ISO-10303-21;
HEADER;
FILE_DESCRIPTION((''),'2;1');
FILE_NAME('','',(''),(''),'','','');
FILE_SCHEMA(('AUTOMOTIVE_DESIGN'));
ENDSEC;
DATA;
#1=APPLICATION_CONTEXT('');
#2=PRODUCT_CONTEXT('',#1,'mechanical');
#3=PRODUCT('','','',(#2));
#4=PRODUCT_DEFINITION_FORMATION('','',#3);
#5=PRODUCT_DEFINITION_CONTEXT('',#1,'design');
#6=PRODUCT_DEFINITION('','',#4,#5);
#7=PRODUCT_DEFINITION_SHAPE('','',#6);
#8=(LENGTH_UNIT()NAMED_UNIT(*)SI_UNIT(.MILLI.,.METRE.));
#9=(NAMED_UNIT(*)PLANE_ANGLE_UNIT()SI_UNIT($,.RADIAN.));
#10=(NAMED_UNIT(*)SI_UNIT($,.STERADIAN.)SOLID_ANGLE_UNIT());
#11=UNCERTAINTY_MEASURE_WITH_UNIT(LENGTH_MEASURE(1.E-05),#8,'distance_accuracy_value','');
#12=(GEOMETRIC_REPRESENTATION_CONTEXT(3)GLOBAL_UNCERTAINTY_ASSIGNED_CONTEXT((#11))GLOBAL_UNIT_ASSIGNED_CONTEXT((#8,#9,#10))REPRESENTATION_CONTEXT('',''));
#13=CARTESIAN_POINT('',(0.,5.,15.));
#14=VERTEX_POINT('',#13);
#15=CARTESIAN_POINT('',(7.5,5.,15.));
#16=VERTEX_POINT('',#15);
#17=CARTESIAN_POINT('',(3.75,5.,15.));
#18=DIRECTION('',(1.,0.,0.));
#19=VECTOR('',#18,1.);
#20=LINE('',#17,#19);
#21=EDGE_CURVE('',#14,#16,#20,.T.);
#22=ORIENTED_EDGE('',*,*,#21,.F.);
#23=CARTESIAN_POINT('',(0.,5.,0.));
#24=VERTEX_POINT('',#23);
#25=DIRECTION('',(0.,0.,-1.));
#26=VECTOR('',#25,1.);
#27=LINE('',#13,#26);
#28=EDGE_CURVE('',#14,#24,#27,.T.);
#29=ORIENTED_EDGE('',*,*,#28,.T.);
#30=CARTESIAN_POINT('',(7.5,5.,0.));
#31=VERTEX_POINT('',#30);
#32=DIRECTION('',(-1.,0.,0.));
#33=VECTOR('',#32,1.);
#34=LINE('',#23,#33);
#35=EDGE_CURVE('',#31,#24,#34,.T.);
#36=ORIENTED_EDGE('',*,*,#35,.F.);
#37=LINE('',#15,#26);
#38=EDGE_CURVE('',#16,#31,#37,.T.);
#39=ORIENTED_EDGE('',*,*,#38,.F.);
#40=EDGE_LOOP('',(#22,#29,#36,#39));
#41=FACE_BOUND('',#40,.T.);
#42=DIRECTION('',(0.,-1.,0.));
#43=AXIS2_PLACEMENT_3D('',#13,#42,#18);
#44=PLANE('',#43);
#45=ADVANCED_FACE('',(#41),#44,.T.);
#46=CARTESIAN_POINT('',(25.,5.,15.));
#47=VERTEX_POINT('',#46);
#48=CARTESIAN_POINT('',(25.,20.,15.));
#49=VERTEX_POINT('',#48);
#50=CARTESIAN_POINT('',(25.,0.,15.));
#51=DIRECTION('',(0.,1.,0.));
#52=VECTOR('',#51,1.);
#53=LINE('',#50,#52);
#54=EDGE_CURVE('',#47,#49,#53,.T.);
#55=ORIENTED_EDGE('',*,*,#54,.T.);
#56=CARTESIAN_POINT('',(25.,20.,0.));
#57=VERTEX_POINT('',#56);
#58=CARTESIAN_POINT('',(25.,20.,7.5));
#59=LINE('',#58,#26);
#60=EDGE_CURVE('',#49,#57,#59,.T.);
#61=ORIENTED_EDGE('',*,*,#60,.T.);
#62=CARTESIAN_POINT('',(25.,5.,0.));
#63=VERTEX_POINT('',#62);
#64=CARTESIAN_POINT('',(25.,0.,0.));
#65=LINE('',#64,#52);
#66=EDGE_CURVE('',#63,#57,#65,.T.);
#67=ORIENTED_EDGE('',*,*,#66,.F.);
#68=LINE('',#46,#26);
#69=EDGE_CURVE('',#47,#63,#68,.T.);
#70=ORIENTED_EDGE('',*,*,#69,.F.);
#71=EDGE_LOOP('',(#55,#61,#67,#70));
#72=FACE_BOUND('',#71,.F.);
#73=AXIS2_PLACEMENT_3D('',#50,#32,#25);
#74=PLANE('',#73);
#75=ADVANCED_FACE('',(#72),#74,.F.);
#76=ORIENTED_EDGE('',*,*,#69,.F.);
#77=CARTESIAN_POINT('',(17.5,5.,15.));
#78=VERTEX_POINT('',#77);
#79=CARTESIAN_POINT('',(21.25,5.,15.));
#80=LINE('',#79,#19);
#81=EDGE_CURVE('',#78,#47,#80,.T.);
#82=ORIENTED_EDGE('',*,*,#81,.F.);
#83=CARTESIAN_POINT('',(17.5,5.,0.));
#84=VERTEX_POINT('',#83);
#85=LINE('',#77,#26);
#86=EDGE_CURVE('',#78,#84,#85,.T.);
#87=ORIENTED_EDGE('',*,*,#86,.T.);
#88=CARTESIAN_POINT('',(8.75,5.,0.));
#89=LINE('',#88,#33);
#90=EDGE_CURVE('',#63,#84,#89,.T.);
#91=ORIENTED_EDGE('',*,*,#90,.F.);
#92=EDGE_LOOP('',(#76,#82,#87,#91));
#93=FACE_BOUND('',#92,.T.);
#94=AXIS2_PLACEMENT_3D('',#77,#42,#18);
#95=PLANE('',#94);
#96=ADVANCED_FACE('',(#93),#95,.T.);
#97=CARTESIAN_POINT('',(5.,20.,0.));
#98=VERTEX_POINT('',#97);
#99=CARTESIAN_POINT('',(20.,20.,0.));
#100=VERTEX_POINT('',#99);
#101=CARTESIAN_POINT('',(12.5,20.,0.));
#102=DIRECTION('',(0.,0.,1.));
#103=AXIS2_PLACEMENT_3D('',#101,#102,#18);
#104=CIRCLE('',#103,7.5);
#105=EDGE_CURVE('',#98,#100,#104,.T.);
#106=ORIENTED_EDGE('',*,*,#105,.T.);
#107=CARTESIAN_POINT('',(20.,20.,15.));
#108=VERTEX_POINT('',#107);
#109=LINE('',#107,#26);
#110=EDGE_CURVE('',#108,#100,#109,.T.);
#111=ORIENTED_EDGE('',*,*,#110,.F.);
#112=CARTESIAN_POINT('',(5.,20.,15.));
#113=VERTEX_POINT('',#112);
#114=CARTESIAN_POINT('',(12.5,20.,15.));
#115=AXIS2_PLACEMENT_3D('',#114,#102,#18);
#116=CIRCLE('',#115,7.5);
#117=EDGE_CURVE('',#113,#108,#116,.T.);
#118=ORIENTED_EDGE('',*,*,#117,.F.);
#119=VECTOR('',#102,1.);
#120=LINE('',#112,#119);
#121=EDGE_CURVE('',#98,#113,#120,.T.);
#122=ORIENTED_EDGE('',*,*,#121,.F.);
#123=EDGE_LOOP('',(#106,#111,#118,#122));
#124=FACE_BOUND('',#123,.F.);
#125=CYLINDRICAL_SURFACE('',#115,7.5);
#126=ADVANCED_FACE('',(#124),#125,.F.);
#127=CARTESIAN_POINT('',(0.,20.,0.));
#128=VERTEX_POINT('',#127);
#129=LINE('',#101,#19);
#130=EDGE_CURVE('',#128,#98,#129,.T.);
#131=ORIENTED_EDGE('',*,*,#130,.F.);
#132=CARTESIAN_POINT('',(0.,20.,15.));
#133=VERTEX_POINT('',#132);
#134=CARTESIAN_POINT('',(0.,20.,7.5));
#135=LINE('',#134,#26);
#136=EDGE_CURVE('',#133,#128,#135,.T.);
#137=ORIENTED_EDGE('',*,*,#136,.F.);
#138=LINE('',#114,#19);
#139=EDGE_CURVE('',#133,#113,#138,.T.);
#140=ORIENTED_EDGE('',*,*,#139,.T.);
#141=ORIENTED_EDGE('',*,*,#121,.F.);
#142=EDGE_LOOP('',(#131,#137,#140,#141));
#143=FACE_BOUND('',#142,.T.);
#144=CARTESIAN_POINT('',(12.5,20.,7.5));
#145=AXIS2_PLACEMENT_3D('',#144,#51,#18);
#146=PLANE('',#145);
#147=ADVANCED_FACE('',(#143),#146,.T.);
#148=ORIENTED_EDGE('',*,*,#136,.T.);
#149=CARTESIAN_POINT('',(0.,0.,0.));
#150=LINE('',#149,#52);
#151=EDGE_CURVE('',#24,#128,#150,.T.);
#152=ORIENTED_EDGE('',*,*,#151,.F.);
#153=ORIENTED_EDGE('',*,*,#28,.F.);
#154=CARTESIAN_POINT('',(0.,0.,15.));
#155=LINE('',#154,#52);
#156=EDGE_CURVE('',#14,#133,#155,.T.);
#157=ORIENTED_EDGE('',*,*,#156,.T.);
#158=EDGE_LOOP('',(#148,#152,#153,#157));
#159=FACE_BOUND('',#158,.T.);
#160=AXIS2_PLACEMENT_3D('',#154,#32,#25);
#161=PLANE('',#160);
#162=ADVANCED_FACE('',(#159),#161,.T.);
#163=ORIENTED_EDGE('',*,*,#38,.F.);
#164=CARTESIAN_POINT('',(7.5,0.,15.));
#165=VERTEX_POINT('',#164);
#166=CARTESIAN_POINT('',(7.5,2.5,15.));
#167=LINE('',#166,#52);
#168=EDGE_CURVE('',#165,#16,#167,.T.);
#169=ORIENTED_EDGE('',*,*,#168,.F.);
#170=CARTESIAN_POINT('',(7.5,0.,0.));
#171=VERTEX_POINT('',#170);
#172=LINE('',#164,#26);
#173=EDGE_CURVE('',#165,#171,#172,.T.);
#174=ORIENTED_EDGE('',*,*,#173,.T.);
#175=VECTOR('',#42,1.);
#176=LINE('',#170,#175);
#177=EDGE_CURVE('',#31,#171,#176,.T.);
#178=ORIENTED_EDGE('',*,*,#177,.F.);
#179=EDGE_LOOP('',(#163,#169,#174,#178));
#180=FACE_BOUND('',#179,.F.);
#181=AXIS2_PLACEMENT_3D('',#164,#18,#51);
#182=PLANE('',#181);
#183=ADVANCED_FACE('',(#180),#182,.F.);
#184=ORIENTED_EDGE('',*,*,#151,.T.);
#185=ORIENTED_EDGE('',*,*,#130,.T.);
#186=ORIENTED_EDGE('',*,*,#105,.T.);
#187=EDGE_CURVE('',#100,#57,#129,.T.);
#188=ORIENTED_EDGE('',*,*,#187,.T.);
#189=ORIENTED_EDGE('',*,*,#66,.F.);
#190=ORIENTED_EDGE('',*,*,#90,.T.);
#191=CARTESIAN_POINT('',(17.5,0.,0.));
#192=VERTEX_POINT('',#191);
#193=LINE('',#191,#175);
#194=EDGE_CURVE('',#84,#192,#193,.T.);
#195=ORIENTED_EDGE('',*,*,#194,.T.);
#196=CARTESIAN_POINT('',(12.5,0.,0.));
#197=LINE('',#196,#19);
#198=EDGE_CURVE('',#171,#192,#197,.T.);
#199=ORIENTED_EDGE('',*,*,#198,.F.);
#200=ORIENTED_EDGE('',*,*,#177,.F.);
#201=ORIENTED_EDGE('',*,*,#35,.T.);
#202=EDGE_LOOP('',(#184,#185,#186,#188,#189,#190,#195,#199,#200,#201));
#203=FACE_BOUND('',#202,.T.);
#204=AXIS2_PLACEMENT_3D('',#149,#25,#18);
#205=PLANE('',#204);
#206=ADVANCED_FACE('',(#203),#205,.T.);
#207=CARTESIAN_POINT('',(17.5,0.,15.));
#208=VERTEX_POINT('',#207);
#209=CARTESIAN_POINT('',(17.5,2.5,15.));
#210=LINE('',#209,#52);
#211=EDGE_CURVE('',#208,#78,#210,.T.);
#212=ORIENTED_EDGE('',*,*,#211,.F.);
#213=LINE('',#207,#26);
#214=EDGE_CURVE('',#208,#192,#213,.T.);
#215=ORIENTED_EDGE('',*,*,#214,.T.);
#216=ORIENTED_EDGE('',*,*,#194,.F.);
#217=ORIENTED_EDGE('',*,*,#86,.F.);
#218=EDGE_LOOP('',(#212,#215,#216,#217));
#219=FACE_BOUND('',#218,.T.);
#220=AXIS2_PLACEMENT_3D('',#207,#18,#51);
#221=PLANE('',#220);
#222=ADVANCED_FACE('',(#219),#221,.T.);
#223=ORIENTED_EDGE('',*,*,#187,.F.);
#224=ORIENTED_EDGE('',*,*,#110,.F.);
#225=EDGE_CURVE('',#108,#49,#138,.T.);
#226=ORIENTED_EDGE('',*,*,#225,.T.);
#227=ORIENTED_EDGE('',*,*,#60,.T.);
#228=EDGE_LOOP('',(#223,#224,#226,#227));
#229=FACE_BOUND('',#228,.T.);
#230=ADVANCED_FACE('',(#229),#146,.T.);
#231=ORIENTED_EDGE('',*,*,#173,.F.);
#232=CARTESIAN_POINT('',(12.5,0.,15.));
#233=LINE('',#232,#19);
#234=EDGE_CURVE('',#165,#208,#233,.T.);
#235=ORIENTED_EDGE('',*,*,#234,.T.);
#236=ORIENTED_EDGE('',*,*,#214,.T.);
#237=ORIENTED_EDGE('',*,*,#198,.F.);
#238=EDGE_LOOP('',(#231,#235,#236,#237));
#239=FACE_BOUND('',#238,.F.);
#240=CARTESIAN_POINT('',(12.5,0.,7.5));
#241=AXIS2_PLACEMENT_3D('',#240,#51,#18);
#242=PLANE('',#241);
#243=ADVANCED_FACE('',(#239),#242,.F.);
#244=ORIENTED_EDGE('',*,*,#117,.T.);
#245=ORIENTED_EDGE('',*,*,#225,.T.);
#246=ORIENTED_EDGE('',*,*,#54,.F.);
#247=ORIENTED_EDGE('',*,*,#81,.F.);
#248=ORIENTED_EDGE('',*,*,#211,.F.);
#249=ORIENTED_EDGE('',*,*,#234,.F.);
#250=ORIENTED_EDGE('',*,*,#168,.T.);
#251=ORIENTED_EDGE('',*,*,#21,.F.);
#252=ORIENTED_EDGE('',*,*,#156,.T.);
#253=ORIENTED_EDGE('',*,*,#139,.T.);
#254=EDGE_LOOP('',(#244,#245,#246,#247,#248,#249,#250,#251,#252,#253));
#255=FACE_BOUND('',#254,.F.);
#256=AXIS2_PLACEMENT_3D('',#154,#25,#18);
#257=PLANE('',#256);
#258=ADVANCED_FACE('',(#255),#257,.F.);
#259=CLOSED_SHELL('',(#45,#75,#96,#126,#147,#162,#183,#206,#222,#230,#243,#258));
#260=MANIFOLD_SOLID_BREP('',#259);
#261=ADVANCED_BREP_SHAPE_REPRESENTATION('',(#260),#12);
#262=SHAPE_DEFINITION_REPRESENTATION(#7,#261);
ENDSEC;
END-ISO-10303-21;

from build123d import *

# Parameters (mm, degrees)
CROQUIS1_W              = 25
CROQUIS1_H              = 15
SALIENTE_EXTRUIR1_DEPTH = 20
CROQUIS2_W              = 7.5
CROQUIS2_H              = 5
CORTAR_EXTRUIR1_DEPTH   = 20
CROQUIS3_R              = 7.5
CORTAR_EXTRUIR2_DEPTH   = 20


with BuildPart() as part:
    # Croquis1 → Saliente-Extruir1 (new body)
    with BuildSketch(Plane(origin=(0, 0, 0), x_dir=(1, 0, 0), z_dir=(0, 1, 0))):
        with Locations((12.5, -7.5)):
            Rectangle(CROQUIS1_W, CROQUIS1_H)
    extrude(amount=SALIENTE_EXTRUIR1_DEPTH)

    # Croquis2 → Cortar-Extruir1 (cut)
    with BuildSketch(Plane.XY.offset(15)):
        with Locations((21.25, 2.5)):
            Rectangle(CROQUIS2_W, CROQUIS2_H)
        with Locations((3.75, 2.5)):
            Rectangle(CROQUIS2_W, CROQUIS2_H)
    extrude(amount=-CORTAR_EXTRUIR1_DEPTH, mode=Mode.SUBTRACT)

    # Croquis3 → Cortar-Extruir2 (cut)
    with BuildSketch(Plane.XY.offset(15)):
        with Locations((12.5, 20)):
            Circle(CROQUIS3_R)
    extrude(amount=-CORTAR_EXTRUIR2_DEPTH, mode=Mode.SUBTRACT)


solid = part.part
